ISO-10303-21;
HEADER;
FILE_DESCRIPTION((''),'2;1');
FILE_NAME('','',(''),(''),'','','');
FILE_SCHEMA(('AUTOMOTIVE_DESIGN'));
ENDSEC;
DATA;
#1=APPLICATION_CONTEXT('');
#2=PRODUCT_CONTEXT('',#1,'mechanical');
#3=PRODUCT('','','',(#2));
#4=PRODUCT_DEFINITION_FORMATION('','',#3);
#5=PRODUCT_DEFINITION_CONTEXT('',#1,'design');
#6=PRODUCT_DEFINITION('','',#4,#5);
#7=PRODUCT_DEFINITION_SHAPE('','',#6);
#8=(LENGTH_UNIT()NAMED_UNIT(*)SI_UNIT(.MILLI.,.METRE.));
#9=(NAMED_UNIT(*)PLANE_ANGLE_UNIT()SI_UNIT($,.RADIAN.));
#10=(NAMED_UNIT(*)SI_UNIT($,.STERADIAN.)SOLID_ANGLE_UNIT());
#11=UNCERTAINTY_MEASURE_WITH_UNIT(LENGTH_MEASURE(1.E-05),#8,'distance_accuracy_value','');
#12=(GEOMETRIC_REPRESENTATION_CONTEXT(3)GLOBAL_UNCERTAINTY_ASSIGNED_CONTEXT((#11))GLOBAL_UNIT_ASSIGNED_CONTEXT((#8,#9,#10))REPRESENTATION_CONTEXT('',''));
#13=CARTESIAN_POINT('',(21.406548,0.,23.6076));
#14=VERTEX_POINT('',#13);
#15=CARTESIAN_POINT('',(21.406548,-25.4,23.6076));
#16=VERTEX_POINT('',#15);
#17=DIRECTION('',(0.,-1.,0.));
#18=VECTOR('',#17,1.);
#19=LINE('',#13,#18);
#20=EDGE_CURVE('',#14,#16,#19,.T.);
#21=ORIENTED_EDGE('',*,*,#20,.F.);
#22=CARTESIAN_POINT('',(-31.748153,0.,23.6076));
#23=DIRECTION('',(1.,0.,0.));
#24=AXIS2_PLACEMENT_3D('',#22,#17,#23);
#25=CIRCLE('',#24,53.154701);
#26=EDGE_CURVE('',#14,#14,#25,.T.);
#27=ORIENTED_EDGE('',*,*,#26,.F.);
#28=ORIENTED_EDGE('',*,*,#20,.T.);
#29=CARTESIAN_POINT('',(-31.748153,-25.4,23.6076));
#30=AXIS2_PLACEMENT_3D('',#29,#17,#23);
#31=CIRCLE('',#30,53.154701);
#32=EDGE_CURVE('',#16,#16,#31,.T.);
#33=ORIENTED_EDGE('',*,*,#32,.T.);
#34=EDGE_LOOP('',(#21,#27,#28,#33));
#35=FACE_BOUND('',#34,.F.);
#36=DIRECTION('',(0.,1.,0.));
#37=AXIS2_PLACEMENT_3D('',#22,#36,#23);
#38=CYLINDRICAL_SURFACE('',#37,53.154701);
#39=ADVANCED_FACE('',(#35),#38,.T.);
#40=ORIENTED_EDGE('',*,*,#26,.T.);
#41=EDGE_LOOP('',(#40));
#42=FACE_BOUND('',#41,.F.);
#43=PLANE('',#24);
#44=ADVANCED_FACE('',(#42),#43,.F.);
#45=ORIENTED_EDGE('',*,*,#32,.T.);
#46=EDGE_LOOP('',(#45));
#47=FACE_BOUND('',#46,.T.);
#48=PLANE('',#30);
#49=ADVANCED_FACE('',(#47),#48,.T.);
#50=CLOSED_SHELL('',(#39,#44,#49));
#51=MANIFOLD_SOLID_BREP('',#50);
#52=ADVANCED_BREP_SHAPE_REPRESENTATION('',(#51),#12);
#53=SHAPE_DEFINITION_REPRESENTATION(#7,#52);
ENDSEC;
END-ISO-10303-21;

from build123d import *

# Parameters (mm, degrees)
F0_R     = 53.1547008714
F1_DEPTH = 25.4


with BuildPart() as f1:
    # F0 (on Front) → F1 (new body)
    with BuildSketch(Plane.XZ):
        with Locations((-31.7481532693, 23.6076004803)):
            Circle(F0_R)
        Polygon((-34.7717888653, -5.2332123742), (-52.6378686236, 5.0232423169), (-46.3370766776, 15.9988137827), (-27.8386449233, 17.1267677426), (-14.9071385955, 2.0853435172), align=None, mode=Mode.SUBTRACT)
        Polygon((-46.3370766776, 15.9988137827), (-52.6378686236, 5.0232423169), (-34.7717888653, -5.2332123742), (-14.9071385955, 2.0853435172), (-27.8386449233, 17.1267677426), align=None)
    extrude(amount=F1_DEPTH)


solid = f1.part
